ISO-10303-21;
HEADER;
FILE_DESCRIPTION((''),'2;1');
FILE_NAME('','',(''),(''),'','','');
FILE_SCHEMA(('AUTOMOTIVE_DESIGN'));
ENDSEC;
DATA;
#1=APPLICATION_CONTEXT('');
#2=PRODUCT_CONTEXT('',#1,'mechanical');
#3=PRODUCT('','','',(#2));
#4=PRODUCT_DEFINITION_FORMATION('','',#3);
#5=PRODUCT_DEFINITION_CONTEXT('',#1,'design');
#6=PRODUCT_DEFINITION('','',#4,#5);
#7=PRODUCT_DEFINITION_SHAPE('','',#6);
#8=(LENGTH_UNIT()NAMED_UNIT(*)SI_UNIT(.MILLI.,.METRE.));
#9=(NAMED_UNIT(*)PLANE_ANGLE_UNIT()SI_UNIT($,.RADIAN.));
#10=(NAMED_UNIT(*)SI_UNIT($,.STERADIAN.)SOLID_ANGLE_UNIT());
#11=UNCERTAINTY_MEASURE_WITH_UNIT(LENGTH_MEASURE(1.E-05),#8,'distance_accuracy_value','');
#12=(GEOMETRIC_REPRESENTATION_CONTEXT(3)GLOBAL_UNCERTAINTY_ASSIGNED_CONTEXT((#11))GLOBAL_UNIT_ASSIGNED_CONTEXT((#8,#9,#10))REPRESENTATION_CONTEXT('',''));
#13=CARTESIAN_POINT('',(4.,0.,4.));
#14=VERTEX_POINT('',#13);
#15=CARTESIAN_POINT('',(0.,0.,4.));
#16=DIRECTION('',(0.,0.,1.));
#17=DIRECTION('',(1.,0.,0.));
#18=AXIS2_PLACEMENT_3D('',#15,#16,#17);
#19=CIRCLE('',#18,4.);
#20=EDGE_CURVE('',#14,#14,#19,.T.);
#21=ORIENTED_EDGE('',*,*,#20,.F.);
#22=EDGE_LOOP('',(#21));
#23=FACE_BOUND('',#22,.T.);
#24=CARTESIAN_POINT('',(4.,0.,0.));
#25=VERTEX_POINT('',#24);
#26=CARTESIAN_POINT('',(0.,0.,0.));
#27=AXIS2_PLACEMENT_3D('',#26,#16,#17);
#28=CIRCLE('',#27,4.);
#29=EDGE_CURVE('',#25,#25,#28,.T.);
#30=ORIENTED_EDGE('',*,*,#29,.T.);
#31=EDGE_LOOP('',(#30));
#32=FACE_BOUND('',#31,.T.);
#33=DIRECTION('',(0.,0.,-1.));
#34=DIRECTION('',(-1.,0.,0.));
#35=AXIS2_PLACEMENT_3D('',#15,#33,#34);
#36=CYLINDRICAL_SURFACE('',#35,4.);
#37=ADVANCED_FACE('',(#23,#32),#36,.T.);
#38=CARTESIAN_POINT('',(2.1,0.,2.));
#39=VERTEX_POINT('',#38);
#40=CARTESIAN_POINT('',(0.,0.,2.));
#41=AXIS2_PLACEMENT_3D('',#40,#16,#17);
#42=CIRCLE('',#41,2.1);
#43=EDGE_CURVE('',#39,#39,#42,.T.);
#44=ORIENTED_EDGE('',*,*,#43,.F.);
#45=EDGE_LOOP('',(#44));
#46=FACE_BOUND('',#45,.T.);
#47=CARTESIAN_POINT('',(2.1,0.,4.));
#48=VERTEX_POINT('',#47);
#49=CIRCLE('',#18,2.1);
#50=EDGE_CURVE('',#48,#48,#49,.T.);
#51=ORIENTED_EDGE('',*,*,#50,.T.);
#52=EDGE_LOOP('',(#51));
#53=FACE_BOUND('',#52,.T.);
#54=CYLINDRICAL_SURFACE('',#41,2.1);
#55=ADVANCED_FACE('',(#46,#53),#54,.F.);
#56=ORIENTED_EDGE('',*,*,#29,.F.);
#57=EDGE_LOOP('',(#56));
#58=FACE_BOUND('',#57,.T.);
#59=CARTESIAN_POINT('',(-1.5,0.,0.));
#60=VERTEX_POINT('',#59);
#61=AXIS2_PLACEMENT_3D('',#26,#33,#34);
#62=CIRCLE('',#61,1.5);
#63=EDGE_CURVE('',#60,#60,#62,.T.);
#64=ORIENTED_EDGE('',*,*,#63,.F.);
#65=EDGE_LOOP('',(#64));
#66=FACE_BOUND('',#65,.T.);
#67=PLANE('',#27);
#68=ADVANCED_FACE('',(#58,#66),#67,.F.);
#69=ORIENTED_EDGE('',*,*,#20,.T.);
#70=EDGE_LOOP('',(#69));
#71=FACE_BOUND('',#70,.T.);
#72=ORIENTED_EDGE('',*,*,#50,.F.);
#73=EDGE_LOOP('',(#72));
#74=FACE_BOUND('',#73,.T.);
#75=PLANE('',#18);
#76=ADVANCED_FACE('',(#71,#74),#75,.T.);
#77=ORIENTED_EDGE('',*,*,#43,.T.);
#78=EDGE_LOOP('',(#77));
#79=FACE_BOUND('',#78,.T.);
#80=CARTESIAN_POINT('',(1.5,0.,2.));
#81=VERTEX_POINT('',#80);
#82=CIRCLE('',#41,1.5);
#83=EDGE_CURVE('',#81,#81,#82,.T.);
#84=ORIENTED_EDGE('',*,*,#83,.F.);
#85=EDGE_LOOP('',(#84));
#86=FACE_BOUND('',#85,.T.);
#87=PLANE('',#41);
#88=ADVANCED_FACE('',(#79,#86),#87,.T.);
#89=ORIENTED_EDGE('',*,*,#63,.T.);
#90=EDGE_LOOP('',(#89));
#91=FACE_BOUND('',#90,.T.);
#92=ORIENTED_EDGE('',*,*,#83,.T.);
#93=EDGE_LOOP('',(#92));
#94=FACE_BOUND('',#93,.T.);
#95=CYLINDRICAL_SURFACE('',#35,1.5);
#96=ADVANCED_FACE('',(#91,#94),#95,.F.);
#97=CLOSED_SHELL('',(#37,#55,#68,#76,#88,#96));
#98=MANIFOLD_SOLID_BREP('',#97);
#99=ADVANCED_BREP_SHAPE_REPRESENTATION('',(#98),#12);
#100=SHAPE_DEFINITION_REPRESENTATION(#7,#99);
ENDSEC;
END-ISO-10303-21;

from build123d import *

# Parameters (mm, degrees)
ESQUISSE1_R             = 4
BOSS_EXTRU_1_DEPTH      = 4
ESQUISSE2_R             = 2.1
ENL_V_MAT_EXTRU_1_DEPTH = 2
ESQUISSE3_R             = 1.5
ENL_V_MAT_EXTRU_2_DEPTH = 7.92820323


with BuildPart() as part:
    # Esquisse1 → Boss.-Extru.1 (new body)
    with BuildSketch(Plane.XY):
        Circle(ESQUISSE1_R)
    extrude(amount=BOSS_EXTRU_1_DEPTH)

    # Esquisse2 → Enlèv. mat.-Extru.1 (cut)
    with BuildSketch(Plane.XY.offset(4)):
        Circle(ESQUISSE2_R)
    extrude(amount=-ENL_V_MAT_EXTRU_1_DEPTH, mode=Mode.SUBTRACT)

    # Esquisse3 → Enlèv. mat.-Extru.2 (cut, through all)
    with BuildSketch(Plane(origin=(0, 0, 0), x_dir=(-1, 0, 0), z_dir=(0, 0, -1))):
        Circle(ESQUISSE3_R)
    extrude(amount=-ENL_V_MAT_EXTRU_2_DEPTH, mode=Mode.SUBTRACT)


solid = part.part
